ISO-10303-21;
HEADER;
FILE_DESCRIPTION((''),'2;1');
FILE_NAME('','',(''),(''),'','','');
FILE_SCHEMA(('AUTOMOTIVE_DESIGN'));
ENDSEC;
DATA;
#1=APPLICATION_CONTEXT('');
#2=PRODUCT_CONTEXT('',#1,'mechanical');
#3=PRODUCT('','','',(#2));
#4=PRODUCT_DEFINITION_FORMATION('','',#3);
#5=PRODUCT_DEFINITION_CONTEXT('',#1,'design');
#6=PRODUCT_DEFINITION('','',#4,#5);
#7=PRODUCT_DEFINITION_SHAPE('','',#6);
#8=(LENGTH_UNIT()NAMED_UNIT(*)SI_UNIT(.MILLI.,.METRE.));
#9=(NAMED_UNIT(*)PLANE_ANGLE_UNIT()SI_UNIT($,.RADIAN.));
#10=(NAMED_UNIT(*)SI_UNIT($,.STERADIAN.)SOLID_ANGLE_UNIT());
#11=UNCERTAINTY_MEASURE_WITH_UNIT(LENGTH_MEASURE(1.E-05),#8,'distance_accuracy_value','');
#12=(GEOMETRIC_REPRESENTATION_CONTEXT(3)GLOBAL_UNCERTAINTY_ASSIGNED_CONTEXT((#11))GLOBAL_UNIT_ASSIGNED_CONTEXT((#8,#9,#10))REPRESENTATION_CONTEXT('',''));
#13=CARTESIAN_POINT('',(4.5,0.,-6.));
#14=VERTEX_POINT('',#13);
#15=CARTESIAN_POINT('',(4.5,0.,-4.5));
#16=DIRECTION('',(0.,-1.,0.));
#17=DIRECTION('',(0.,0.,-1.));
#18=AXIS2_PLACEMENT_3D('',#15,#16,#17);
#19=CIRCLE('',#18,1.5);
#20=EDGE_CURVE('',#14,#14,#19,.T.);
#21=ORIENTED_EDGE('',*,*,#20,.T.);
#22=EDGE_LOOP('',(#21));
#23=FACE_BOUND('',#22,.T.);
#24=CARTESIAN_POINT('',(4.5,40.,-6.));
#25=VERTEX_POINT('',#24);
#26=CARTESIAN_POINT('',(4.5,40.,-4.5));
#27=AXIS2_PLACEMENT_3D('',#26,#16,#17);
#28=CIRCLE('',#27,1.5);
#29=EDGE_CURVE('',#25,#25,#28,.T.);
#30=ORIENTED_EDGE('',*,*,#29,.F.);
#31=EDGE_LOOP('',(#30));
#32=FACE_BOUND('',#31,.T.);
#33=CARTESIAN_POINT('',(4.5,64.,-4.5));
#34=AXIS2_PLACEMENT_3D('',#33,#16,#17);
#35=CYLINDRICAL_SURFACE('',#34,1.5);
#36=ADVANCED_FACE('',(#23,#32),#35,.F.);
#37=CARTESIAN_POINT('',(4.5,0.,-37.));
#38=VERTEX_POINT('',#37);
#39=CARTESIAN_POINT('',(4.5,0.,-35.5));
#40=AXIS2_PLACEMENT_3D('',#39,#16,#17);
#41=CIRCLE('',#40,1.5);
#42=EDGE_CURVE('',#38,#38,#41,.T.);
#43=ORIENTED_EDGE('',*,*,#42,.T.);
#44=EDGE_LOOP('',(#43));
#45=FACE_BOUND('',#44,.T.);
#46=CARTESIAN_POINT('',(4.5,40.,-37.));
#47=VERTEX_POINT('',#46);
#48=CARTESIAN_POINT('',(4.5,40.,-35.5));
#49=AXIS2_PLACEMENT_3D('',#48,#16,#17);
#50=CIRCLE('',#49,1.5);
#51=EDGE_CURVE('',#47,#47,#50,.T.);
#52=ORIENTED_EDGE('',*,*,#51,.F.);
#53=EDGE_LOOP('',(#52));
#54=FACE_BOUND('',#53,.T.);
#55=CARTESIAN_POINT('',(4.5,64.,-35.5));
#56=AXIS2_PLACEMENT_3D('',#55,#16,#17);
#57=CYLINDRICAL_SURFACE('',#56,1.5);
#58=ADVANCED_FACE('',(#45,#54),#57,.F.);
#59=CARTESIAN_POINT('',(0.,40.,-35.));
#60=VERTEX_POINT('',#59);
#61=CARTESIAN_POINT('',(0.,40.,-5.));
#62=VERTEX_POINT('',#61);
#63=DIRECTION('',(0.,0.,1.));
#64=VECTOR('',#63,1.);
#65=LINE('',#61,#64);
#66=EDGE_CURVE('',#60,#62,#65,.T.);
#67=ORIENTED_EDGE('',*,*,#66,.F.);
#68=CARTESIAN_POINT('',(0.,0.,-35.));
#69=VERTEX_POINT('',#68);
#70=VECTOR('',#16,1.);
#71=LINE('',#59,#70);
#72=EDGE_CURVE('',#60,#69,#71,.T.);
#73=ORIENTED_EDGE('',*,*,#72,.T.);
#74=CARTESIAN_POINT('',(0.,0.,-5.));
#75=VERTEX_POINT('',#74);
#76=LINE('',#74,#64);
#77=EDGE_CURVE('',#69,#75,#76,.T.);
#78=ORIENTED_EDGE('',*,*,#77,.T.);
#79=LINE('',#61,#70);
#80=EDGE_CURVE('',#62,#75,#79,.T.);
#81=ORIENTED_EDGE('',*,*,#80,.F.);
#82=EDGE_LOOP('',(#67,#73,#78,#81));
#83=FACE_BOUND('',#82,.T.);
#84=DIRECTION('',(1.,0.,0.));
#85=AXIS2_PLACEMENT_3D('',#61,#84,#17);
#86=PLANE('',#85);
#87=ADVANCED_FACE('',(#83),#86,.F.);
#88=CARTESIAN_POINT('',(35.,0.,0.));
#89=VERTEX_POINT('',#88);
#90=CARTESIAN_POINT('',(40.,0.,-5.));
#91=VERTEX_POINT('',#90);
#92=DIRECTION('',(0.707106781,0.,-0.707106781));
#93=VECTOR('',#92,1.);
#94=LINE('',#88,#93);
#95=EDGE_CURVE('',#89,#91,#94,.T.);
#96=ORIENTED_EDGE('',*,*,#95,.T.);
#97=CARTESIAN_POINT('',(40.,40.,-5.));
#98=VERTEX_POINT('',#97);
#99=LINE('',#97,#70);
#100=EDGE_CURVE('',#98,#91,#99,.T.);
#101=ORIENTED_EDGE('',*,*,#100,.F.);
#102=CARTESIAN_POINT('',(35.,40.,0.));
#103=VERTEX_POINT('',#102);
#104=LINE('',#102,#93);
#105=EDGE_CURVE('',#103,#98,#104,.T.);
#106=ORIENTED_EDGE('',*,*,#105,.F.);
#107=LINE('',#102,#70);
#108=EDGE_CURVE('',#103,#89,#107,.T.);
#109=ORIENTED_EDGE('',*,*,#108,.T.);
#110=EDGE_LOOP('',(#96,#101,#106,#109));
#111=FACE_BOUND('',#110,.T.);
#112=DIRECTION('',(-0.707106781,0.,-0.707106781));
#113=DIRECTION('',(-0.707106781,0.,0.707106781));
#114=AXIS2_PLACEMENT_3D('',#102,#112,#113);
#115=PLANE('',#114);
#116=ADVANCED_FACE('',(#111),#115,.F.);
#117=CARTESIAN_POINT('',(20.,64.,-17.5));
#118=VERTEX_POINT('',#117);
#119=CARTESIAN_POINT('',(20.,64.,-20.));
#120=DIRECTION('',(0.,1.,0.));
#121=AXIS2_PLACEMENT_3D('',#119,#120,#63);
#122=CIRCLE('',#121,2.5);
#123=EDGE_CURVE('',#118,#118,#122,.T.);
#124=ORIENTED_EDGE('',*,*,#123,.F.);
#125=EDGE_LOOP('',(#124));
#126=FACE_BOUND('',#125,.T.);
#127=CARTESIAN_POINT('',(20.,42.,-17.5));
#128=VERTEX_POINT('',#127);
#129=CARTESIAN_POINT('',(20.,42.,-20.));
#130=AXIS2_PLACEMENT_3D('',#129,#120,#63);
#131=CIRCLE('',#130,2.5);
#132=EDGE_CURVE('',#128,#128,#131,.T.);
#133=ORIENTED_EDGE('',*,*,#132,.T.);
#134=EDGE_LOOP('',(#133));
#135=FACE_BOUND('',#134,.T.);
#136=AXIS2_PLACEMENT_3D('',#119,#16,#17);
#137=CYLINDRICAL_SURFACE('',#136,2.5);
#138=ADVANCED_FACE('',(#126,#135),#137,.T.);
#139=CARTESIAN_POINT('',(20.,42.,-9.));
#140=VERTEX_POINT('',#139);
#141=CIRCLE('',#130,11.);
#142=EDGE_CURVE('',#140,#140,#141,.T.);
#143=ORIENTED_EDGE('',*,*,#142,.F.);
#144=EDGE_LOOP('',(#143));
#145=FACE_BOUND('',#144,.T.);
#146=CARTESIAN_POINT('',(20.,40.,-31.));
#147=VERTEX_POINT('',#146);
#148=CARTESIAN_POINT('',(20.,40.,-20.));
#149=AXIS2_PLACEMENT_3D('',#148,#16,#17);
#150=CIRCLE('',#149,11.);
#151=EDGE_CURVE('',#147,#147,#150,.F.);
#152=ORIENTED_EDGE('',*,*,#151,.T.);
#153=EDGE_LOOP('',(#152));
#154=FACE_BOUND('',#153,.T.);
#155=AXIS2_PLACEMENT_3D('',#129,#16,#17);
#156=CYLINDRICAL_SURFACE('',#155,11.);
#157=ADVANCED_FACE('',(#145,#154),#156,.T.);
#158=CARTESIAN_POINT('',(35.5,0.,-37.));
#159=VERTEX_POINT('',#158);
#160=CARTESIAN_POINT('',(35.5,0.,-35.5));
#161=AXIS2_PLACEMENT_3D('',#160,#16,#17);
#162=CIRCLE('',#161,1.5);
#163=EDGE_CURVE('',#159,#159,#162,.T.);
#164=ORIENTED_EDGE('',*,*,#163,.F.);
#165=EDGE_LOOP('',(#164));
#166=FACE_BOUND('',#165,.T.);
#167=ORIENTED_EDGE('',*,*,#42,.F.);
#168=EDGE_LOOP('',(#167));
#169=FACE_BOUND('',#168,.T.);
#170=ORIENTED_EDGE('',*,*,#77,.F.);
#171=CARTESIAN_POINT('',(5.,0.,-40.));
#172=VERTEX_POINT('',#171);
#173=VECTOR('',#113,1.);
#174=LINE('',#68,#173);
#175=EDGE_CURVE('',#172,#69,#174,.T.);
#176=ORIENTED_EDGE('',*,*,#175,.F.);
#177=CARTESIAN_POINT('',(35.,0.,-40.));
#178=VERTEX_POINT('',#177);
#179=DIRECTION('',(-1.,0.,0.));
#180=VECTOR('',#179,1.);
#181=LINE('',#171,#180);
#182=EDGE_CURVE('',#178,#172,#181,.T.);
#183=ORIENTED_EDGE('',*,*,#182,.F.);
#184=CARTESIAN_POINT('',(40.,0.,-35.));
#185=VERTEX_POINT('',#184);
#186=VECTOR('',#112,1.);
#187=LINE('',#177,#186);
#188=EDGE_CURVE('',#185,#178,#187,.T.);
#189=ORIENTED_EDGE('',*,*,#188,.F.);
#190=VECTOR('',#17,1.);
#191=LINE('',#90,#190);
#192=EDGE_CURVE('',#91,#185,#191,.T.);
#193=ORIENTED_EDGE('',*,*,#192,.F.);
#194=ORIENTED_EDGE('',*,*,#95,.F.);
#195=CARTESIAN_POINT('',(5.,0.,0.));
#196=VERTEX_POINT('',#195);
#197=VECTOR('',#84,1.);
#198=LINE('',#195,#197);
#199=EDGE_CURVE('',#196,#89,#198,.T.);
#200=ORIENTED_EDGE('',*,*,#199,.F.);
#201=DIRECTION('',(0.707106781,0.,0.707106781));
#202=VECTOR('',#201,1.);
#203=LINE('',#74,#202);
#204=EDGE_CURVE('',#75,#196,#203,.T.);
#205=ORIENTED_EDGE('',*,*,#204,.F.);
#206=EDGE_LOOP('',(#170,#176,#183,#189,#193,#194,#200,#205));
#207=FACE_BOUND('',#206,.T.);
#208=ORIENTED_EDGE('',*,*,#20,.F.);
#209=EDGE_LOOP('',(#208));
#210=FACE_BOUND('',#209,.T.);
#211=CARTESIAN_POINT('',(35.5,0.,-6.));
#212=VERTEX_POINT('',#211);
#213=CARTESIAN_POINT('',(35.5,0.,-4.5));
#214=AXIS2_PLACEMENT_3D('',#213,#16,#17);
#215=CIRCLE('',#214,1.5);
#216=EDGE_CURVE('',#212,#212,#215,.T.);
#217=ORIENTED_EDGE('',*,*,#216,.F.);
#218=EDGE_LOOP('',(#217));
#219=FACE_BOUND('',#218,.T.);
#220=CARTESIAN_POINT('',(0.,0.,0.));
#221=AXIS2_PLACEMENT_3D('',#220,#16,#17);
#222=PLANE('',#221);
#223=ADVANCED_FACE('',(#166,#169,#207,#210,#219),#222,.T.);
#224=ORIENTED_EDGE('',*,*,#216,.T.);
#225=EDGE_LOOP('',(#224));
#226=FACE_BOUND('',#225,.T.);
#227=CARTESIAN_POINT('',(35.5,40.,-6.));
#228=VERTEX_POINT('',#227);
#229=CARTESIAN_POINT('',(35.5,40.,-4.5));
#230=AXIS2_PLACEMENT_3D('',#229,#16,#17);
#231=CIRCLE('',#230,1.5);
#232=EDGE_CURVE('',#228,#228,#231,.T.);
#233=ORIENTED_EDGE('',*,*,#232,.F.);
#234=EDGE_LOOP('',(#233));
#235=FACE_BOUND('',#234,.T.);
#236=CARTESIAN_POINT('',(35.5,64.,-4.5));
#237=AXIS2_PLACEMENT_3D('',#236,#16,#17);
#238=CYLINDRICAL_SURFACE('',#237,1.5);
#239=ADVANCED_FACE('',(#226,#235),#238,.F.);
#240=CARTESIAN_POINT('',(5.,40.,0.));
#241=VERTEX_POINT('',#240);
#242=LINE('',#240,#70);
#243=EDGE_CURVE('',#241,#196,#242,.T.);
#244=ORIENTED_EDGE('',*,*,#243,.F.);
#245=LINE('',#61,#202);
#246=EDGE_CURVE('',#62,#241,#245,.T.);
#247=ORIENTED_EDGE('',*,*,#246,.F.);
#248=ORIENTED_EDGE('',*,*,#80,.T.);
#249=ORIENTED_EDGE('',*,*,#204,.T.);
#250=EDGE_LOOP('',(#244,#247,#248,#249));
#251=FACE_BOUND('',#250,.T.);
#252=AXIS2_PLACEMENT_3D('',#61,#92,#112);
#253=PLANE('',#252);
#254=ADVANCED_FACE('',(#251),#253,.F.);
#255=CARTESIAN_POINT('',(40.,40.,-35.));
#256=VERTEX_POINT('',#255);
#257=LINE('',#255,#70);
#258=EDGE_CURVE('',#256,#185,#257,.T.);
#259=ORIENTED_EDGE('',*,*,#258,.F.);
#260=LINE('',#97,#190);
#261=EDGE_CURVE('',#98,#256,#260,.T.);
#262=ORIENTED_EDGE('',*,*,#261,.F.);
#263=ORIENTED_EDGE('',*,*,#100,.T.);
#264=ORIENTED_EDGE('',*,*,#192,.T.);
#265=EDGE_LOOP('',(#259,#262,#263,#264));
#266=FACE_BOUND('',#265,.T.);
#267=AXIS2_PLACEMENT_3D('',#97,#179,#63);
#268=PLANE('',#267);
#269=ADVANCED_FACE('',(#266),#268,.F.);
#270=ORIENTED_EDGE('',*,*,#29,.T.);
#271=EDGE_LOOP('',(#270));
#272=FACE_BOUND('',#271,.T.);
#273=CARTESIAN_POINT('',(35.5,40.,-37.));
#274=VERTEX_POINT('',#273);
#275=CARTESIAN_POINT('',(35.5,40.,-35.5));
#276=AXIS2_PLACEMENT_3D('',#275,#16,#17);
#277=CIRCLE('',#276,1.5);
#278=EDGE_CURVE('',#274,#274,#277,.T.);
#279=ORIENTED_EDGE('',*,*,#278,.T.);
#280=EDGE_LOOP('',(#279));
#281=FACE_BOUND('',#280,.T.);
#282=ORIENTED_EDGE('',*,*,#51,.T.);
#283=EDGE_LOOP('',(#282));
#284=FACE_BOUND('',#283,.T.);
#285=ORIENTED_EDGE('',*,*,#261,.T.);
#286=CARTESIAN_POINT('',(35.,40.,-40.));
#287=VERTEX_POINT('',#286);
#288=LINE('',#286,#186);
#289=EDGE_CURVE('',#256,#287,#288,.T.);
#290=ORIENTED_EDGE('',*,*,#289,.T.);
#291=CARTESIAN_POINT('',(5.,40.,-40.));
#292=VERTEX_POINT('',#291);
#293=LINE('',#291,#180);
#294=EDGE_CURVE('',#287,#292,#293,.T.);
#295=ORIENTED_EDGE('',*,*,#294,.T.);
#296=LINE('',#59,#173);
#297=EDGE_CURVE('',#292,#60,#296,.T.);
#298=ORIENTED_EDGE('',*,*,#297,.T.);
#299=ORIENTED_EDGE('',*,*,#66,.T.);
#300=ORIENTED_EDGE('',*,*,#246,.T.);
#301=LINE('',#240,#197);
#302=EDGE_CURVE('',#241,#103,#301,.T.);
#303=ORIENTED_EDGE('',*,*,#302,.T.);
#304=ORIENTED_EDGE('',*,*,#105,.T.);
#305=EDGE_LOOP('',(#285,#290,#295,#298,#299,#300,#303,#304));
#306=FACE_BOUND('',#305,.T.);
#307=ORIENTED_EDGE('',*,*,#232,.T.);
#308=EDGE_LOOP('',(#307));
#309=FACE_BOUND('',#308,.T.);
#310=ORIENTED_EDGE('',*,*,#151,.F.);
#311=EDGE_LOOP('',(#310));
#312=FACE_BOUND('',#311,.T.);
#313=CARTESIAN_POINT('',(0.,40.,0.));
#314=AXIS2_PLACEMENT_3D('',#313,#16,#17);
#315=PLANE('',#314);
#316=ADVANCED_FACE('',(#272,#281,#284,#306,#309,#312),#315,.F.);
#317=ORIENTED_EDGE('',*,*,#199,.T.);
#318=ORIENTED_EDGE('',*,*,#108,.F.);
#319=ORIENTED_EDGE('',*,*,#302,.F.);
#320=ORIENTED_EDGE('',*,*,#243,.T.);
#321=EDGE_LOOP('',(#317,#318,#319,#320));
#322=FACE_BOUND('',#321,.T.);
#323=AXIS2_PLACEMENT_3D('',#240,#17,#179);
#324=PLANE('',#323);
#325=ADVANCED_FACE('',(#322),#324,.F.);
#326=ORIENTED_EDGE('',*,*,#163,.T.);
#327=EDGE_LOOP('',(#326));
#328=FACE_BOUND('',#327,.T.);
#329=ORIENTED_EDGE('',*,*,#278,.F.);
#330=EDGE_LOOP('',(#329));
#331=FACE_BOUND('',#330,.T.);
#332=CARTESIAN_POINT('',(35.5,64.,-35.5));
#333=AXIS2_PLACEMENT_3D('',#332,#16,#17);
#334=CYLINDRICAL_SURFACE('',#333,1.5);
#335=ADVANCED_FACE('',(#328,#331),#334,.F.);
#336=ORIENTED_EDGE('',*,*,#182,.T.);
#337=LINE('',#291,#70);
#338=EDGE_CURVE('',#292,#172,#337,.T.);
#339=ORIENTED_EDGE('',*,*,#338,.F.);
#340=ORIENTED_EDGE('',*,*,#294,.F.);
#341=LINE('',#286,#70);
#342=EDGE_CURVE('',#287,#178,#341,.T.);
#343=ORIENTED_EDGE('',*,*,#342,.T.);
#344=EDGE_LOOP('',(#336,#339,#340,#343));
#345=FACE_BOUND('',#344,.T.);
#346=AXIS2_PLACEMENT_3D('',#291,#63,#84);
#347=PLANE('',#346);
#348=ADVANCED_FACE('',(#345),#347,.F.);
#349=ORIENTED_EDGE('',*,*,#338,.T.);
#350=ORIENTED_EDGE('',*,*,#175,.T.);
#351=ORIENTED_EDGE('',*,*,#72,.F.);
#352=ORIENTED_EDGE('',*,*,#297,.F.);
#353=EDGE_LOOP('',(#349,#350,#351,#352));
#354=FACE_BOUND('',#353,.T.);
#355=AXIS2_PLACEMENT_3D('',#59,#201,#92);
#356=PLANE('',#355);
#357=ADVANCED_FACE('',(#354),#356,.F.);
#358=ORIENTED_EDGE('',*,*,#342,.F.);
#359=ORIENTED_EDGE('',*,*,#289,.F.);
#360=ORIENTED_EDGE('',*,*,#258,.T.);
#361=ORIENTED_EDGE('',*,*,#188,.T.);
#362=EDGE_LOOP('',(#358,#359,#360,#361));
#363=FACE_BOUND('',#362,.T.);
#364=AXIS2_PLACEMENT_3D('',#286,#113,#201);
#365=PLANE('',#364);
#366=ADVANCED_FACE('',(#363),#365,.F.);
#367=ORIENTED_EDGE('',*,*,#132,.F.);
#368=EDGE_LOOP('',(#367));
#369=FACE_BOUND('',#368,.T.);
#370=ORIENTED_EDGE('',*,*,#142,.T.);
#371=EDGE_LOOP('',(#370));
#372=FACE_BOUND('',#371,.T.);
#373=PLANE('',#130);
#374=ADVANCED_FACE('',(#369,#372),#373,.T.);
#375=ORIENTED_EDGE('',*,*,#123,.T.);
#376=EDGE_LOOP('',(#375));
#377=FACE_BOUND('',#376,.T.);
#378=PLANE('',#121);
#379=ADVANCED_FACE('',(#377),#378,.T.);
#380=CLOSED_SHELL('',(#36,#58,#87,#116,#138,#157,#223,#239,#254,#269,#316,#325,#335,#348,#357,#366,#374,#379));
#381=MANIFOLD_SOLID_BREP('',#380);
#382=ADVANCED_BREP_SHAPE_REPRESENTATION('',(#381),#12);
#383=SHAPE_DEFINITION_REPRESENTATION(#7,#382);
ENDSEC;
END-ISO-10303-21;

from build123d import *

# Parameters (mm, degrees)
BOSS_EXTRUDE1_DEPTH  = 40
SKETCH2_R            = 11
BOSS_EXTRUDE2_DEPTH  = 2
SKETCH3_R            = 2.5
BOSS_EXTRUDE3_DEPTH  = 22
SKETCH4_R            = 1.5
CUT_EXTRUDE1_DEPTH   = 86.416626016
LPATTERN1_COUNT      = 2
LPATTERN1_PITCH      = 31
LPATTERN1_COUNT_DIR2 = 2
LPATTERN1_PITCH_DIR2 = 31


with BuildPart() as part:
    # Sketch1 → Boss-Extrude1 (new body)
    with BuildSketch(Plane(origin=(0, 0, 0), x_dir=(1, 0, 0), z_dir=(0, 1, 0))):
        Polygon((0, 35), (5, 40), (35, 40), (40, 35), (40, 5), (35, 0), (5, 0), (0, 5), align=None)
    extrude(amount=BOSS_EXTRUDE1_DEPTH)

    # Sketch2 → Boss-Extrude2 (add)
    with BuildSketch(Plane(origin=(0, 40, 0), x_dir=(1, 0, 0), z_dir=(0, 1, 0))):
        with Locations(Location((20, 20, 0), (0, 0, 90))):
            Circle(SKETCH2_R)
    extrude(amount=BOSS_EXTRUDE2_DEPTH)

    # Sketch3 → Boss-Extrude3 (add)
    with BuildSketch(Plane(origin=(0, 42, 0), x_dir=(1, 0, 0), z_dir=(0, 1, 0))):
        with Locations(Location((20, 20, 0), (0, 0, 270))):
            Circle(SKETCH3_R)
    extrude(amount=BOSS_EXTRUDE3_DEPTH)

    # Sketch4 → Cut-Extrude1 (cut, through all)
    with BuildSketch(Plane.XZ):
        with Locations(Location((4.5, -4.5, 0), (0, 0, 270))):
            Circle(SKETCH4_R)
    cut_extrude1 = extrude(amount=-CUT_EXTRUDE1_DEPTH, mode=Mode.SUBTRACT)

    # LPattern1: Cut-Extrude1 2 × 2
    with Locations(*[(i * LPATTERN1_PITCH, 0, -j * LPATTERN1_PITCH_DIR2) for i in range(LPATTERN1_COUNT) for j in range(LPATTERN1_COUNT_DIR2) if (i, j) != (0, 0)]):
        add(cut_extrude1, mode=Mode.SUBTRACT)


solid = part.part
